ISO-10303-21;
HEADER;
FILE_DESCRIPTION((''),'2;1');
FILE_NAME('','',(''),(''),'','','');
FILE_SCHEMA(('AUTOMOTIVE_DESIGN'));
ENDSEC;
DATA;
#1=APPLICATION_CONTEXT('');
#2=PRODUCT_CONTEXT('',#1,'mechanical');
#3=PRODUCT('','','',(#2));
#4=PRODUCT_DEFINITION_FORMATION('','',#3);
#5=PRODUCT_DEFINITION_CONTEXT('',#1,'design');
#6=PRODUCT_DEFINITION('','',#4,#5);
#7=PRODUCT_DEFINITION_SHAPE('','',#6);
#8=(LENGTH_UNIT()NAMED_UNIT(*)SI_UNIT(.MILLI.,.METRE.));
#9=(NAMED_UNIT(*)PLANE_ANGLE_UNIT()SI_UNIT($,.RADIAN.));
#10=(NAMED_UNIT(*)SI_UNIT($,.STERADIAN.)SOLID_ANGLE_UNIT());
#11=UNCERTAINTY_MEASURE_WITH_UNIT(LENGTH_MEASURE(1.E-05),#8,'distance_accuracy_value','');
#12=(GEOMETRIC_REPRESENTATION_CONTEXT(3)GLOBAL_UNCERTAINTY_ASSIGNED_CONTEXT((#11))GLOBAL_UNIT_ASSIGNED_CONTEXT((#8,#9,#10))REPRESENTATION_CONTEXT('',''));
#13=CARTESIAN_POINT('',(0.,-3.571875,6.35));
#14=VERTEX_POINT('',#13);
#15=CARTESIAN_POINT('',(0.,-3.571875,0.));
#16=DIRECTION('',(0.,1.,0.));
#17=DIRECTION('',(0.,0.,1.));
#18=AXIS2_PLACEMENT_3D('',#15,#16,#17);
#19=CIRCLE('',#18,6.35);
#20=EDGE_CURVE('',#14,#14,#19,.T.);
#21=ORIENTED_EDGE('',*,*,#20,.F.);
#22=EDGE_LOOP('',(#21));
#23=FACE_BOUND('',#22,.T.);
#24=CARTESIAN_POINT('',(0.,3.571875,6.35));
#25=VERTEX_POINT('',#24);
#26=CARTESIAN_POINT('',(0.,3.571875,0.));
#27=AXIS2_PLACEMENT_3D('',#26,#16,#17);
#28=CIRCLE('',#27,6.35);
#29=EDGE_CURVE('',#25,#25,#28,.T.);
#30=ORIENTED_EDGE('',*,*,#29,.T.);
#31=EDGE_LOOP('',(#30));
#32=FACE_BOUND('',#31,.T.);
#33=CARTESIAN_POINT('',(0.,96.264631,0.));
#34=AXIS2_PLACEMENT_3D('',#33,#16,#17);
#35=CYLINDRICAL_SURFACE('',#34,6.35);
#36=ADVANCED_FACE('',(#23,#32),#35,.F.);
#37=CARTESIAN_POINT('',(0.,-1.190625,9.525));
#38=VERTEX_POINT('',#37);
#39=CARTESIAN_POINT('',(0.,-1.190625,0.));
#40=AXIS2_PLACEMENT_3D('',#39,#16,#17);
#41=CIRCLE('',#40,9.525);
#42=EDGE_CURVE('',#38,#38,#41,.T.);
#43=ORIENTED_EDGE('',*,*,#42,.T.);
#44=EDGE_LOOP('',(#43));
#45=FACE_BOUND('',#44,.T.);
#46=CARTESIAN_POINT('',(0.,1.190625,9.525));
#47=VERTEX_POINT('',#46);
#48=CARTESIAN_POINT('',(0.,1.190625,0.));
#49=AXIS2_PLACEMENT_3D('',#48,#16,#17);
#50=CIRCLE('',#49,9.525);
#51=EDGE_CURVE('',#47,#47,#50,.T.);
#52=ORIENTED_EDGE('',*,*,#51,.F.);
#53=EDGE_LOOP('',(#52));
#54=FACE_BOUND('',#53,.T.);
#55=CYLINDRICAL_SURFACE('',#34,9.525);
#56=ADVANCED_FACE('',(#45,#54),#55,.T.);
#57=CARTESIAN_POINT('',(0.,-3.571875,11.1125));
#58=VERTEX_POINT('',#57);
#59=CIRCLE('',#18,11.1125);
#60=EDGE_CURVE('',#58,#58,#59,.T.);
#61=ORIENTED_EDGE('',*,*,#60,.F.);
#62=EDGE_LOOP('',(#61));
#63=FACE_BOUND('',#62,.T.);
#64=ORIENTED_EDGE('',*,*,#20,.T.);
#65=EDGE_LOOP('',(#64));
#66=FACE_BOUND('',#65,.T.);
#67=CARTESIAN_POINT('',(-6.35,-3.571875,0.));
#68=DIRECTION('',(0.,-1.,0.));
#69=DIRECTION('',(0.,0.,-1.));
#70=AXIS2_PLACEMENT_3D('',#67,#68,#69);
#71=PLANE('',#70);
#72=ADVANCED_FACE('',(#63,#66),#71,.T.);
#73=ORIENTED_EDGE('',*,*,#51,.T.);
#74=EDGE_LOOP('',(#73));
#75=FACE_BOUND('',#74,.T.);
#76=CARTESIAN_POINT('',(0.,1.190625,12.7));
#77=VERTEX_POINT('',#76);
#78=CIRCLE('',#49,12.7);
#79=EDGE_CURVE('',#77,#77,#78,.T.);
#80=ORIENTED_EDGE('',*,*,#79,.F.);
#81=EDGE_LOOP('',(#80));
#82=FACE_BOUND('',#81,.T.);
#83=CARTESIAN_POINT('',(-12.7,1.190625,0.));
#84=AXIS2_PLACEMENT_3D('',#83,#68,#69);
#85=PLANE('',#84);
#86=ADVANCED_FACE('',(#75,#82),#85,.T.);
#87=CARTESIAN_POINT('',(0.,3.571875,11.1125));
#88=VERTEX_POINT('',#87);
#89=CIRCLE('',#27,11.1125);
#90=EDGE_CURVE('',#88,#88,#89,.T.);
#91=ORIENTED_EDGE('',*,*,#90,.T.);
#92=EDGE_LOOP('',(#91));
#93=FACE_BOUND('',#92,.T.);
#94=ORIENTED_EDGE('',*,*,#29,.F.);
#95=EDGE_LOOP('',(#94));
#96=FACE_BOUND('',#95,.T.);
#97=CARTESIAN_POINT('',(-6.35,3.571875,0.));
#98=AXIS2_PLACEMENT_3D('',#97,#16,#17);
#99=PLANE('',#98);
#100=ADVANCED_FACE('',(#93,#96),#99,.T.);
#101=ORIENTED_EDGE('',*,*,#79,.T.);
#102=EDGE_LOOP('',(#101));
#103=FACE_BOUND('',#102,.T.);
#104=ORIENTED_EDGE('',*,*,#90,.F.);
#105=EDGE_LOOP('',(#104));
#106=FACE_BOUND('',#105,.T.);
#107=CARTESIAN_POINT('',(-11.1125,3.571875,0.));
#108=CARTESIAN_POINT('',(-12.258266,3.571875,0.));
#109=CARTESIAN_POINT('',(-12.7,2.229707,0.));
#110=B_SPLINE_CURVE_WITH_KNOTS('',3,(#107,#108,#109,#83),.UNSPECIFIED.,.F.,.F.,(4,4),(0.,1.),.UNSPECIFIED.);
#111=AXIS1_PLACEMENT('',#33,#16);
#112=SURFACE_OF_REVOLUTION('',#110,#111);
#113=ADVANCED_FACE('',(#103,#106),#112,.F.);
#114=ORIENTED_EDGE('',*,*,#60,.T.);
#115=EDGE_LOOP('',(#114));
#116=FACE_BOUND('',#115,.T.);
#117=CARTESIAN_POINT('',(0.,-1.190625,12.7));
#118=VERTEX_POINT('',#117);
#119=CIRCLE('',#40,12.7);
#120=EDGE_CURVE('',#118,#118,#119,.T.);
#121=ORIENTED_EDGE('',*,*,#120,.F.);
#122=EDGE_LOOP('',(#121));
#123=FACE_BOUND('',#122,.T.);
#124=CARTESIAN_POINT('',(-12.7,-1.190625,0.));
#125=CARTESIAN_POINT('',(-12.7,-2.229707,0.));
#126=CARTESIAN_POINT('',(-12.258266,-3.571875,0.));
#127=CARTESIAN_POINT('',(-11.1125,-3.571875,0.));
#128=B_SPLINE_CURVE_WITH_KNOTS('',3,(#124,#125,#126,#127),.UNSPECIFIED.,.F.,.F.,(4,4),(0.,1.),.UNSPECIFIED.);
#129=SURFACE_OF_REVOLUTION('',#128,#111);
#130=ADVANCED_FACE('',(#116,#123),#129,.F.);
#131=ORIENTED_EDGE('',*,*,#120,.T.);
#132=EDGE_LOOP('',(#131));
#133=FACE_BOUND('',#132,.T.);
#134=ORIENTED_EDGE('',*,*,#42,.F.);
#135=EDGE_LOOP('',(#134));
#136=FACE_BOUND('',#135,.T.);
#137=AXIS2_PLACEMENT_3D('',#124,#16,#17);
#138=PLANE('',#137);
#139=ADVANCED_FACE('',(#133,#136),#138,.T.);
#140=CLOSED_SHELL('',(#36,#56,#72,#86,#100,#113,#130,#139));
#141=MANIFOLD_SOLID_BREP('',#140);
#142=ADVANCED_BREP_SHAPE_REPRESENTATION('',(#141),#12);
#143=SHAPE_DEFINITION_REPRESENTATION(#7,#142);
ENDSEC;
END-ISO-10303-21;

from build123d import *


with BuildPart() as part:
    # Sketch1 → Revolve1 (revolve)
    with BuildSketch(Plane.XY, mode=Mode.PRIVATE) as revolve1_sk:
        with BuildLine():
            Line((-6.35, 3.571875), (-6.35, -3.571875))
            Line((-6.35, -3.571875), (-11.1125, -3.571875))
            add(Edge.make_bspline(
                [(-11.1125, -3.571875), (-12.258265746, -3.571875), (-12.7, -2.229707331), (-12.7, -1.190625)],
                knots=[0, 0, 0, 0, 1, 1, 1, 1], degree=3))
            Line((-12.7, -1.190625), (-9.525, -1.190625))
            Line((-9.525, -1.190625), (-9.525, 1.190625))
            Line((-9.525, 1.190625), (-12.7, 1.190625))
            add(Edge.make_bspline(
                [(-11.1125, 3.571875), (-12.258265746, 3.571875), (-12.7, 2.229707331), (-12.7, 1.190625)],
                knots=[0, 0, 0, 0, 1, 1, 1, 1], degree=3))
            Line((-11.1125, 3.571875), (-6.35, 3.571875))
        make_face()
    revolve(revolve1_sk.sketch.rotate(Axis((0, 96.264631407, 0), (0, -1, 0)), 270), axis=Axis((0, 96.264631407, 0), (0, -1, 0)))


solid = part.part
